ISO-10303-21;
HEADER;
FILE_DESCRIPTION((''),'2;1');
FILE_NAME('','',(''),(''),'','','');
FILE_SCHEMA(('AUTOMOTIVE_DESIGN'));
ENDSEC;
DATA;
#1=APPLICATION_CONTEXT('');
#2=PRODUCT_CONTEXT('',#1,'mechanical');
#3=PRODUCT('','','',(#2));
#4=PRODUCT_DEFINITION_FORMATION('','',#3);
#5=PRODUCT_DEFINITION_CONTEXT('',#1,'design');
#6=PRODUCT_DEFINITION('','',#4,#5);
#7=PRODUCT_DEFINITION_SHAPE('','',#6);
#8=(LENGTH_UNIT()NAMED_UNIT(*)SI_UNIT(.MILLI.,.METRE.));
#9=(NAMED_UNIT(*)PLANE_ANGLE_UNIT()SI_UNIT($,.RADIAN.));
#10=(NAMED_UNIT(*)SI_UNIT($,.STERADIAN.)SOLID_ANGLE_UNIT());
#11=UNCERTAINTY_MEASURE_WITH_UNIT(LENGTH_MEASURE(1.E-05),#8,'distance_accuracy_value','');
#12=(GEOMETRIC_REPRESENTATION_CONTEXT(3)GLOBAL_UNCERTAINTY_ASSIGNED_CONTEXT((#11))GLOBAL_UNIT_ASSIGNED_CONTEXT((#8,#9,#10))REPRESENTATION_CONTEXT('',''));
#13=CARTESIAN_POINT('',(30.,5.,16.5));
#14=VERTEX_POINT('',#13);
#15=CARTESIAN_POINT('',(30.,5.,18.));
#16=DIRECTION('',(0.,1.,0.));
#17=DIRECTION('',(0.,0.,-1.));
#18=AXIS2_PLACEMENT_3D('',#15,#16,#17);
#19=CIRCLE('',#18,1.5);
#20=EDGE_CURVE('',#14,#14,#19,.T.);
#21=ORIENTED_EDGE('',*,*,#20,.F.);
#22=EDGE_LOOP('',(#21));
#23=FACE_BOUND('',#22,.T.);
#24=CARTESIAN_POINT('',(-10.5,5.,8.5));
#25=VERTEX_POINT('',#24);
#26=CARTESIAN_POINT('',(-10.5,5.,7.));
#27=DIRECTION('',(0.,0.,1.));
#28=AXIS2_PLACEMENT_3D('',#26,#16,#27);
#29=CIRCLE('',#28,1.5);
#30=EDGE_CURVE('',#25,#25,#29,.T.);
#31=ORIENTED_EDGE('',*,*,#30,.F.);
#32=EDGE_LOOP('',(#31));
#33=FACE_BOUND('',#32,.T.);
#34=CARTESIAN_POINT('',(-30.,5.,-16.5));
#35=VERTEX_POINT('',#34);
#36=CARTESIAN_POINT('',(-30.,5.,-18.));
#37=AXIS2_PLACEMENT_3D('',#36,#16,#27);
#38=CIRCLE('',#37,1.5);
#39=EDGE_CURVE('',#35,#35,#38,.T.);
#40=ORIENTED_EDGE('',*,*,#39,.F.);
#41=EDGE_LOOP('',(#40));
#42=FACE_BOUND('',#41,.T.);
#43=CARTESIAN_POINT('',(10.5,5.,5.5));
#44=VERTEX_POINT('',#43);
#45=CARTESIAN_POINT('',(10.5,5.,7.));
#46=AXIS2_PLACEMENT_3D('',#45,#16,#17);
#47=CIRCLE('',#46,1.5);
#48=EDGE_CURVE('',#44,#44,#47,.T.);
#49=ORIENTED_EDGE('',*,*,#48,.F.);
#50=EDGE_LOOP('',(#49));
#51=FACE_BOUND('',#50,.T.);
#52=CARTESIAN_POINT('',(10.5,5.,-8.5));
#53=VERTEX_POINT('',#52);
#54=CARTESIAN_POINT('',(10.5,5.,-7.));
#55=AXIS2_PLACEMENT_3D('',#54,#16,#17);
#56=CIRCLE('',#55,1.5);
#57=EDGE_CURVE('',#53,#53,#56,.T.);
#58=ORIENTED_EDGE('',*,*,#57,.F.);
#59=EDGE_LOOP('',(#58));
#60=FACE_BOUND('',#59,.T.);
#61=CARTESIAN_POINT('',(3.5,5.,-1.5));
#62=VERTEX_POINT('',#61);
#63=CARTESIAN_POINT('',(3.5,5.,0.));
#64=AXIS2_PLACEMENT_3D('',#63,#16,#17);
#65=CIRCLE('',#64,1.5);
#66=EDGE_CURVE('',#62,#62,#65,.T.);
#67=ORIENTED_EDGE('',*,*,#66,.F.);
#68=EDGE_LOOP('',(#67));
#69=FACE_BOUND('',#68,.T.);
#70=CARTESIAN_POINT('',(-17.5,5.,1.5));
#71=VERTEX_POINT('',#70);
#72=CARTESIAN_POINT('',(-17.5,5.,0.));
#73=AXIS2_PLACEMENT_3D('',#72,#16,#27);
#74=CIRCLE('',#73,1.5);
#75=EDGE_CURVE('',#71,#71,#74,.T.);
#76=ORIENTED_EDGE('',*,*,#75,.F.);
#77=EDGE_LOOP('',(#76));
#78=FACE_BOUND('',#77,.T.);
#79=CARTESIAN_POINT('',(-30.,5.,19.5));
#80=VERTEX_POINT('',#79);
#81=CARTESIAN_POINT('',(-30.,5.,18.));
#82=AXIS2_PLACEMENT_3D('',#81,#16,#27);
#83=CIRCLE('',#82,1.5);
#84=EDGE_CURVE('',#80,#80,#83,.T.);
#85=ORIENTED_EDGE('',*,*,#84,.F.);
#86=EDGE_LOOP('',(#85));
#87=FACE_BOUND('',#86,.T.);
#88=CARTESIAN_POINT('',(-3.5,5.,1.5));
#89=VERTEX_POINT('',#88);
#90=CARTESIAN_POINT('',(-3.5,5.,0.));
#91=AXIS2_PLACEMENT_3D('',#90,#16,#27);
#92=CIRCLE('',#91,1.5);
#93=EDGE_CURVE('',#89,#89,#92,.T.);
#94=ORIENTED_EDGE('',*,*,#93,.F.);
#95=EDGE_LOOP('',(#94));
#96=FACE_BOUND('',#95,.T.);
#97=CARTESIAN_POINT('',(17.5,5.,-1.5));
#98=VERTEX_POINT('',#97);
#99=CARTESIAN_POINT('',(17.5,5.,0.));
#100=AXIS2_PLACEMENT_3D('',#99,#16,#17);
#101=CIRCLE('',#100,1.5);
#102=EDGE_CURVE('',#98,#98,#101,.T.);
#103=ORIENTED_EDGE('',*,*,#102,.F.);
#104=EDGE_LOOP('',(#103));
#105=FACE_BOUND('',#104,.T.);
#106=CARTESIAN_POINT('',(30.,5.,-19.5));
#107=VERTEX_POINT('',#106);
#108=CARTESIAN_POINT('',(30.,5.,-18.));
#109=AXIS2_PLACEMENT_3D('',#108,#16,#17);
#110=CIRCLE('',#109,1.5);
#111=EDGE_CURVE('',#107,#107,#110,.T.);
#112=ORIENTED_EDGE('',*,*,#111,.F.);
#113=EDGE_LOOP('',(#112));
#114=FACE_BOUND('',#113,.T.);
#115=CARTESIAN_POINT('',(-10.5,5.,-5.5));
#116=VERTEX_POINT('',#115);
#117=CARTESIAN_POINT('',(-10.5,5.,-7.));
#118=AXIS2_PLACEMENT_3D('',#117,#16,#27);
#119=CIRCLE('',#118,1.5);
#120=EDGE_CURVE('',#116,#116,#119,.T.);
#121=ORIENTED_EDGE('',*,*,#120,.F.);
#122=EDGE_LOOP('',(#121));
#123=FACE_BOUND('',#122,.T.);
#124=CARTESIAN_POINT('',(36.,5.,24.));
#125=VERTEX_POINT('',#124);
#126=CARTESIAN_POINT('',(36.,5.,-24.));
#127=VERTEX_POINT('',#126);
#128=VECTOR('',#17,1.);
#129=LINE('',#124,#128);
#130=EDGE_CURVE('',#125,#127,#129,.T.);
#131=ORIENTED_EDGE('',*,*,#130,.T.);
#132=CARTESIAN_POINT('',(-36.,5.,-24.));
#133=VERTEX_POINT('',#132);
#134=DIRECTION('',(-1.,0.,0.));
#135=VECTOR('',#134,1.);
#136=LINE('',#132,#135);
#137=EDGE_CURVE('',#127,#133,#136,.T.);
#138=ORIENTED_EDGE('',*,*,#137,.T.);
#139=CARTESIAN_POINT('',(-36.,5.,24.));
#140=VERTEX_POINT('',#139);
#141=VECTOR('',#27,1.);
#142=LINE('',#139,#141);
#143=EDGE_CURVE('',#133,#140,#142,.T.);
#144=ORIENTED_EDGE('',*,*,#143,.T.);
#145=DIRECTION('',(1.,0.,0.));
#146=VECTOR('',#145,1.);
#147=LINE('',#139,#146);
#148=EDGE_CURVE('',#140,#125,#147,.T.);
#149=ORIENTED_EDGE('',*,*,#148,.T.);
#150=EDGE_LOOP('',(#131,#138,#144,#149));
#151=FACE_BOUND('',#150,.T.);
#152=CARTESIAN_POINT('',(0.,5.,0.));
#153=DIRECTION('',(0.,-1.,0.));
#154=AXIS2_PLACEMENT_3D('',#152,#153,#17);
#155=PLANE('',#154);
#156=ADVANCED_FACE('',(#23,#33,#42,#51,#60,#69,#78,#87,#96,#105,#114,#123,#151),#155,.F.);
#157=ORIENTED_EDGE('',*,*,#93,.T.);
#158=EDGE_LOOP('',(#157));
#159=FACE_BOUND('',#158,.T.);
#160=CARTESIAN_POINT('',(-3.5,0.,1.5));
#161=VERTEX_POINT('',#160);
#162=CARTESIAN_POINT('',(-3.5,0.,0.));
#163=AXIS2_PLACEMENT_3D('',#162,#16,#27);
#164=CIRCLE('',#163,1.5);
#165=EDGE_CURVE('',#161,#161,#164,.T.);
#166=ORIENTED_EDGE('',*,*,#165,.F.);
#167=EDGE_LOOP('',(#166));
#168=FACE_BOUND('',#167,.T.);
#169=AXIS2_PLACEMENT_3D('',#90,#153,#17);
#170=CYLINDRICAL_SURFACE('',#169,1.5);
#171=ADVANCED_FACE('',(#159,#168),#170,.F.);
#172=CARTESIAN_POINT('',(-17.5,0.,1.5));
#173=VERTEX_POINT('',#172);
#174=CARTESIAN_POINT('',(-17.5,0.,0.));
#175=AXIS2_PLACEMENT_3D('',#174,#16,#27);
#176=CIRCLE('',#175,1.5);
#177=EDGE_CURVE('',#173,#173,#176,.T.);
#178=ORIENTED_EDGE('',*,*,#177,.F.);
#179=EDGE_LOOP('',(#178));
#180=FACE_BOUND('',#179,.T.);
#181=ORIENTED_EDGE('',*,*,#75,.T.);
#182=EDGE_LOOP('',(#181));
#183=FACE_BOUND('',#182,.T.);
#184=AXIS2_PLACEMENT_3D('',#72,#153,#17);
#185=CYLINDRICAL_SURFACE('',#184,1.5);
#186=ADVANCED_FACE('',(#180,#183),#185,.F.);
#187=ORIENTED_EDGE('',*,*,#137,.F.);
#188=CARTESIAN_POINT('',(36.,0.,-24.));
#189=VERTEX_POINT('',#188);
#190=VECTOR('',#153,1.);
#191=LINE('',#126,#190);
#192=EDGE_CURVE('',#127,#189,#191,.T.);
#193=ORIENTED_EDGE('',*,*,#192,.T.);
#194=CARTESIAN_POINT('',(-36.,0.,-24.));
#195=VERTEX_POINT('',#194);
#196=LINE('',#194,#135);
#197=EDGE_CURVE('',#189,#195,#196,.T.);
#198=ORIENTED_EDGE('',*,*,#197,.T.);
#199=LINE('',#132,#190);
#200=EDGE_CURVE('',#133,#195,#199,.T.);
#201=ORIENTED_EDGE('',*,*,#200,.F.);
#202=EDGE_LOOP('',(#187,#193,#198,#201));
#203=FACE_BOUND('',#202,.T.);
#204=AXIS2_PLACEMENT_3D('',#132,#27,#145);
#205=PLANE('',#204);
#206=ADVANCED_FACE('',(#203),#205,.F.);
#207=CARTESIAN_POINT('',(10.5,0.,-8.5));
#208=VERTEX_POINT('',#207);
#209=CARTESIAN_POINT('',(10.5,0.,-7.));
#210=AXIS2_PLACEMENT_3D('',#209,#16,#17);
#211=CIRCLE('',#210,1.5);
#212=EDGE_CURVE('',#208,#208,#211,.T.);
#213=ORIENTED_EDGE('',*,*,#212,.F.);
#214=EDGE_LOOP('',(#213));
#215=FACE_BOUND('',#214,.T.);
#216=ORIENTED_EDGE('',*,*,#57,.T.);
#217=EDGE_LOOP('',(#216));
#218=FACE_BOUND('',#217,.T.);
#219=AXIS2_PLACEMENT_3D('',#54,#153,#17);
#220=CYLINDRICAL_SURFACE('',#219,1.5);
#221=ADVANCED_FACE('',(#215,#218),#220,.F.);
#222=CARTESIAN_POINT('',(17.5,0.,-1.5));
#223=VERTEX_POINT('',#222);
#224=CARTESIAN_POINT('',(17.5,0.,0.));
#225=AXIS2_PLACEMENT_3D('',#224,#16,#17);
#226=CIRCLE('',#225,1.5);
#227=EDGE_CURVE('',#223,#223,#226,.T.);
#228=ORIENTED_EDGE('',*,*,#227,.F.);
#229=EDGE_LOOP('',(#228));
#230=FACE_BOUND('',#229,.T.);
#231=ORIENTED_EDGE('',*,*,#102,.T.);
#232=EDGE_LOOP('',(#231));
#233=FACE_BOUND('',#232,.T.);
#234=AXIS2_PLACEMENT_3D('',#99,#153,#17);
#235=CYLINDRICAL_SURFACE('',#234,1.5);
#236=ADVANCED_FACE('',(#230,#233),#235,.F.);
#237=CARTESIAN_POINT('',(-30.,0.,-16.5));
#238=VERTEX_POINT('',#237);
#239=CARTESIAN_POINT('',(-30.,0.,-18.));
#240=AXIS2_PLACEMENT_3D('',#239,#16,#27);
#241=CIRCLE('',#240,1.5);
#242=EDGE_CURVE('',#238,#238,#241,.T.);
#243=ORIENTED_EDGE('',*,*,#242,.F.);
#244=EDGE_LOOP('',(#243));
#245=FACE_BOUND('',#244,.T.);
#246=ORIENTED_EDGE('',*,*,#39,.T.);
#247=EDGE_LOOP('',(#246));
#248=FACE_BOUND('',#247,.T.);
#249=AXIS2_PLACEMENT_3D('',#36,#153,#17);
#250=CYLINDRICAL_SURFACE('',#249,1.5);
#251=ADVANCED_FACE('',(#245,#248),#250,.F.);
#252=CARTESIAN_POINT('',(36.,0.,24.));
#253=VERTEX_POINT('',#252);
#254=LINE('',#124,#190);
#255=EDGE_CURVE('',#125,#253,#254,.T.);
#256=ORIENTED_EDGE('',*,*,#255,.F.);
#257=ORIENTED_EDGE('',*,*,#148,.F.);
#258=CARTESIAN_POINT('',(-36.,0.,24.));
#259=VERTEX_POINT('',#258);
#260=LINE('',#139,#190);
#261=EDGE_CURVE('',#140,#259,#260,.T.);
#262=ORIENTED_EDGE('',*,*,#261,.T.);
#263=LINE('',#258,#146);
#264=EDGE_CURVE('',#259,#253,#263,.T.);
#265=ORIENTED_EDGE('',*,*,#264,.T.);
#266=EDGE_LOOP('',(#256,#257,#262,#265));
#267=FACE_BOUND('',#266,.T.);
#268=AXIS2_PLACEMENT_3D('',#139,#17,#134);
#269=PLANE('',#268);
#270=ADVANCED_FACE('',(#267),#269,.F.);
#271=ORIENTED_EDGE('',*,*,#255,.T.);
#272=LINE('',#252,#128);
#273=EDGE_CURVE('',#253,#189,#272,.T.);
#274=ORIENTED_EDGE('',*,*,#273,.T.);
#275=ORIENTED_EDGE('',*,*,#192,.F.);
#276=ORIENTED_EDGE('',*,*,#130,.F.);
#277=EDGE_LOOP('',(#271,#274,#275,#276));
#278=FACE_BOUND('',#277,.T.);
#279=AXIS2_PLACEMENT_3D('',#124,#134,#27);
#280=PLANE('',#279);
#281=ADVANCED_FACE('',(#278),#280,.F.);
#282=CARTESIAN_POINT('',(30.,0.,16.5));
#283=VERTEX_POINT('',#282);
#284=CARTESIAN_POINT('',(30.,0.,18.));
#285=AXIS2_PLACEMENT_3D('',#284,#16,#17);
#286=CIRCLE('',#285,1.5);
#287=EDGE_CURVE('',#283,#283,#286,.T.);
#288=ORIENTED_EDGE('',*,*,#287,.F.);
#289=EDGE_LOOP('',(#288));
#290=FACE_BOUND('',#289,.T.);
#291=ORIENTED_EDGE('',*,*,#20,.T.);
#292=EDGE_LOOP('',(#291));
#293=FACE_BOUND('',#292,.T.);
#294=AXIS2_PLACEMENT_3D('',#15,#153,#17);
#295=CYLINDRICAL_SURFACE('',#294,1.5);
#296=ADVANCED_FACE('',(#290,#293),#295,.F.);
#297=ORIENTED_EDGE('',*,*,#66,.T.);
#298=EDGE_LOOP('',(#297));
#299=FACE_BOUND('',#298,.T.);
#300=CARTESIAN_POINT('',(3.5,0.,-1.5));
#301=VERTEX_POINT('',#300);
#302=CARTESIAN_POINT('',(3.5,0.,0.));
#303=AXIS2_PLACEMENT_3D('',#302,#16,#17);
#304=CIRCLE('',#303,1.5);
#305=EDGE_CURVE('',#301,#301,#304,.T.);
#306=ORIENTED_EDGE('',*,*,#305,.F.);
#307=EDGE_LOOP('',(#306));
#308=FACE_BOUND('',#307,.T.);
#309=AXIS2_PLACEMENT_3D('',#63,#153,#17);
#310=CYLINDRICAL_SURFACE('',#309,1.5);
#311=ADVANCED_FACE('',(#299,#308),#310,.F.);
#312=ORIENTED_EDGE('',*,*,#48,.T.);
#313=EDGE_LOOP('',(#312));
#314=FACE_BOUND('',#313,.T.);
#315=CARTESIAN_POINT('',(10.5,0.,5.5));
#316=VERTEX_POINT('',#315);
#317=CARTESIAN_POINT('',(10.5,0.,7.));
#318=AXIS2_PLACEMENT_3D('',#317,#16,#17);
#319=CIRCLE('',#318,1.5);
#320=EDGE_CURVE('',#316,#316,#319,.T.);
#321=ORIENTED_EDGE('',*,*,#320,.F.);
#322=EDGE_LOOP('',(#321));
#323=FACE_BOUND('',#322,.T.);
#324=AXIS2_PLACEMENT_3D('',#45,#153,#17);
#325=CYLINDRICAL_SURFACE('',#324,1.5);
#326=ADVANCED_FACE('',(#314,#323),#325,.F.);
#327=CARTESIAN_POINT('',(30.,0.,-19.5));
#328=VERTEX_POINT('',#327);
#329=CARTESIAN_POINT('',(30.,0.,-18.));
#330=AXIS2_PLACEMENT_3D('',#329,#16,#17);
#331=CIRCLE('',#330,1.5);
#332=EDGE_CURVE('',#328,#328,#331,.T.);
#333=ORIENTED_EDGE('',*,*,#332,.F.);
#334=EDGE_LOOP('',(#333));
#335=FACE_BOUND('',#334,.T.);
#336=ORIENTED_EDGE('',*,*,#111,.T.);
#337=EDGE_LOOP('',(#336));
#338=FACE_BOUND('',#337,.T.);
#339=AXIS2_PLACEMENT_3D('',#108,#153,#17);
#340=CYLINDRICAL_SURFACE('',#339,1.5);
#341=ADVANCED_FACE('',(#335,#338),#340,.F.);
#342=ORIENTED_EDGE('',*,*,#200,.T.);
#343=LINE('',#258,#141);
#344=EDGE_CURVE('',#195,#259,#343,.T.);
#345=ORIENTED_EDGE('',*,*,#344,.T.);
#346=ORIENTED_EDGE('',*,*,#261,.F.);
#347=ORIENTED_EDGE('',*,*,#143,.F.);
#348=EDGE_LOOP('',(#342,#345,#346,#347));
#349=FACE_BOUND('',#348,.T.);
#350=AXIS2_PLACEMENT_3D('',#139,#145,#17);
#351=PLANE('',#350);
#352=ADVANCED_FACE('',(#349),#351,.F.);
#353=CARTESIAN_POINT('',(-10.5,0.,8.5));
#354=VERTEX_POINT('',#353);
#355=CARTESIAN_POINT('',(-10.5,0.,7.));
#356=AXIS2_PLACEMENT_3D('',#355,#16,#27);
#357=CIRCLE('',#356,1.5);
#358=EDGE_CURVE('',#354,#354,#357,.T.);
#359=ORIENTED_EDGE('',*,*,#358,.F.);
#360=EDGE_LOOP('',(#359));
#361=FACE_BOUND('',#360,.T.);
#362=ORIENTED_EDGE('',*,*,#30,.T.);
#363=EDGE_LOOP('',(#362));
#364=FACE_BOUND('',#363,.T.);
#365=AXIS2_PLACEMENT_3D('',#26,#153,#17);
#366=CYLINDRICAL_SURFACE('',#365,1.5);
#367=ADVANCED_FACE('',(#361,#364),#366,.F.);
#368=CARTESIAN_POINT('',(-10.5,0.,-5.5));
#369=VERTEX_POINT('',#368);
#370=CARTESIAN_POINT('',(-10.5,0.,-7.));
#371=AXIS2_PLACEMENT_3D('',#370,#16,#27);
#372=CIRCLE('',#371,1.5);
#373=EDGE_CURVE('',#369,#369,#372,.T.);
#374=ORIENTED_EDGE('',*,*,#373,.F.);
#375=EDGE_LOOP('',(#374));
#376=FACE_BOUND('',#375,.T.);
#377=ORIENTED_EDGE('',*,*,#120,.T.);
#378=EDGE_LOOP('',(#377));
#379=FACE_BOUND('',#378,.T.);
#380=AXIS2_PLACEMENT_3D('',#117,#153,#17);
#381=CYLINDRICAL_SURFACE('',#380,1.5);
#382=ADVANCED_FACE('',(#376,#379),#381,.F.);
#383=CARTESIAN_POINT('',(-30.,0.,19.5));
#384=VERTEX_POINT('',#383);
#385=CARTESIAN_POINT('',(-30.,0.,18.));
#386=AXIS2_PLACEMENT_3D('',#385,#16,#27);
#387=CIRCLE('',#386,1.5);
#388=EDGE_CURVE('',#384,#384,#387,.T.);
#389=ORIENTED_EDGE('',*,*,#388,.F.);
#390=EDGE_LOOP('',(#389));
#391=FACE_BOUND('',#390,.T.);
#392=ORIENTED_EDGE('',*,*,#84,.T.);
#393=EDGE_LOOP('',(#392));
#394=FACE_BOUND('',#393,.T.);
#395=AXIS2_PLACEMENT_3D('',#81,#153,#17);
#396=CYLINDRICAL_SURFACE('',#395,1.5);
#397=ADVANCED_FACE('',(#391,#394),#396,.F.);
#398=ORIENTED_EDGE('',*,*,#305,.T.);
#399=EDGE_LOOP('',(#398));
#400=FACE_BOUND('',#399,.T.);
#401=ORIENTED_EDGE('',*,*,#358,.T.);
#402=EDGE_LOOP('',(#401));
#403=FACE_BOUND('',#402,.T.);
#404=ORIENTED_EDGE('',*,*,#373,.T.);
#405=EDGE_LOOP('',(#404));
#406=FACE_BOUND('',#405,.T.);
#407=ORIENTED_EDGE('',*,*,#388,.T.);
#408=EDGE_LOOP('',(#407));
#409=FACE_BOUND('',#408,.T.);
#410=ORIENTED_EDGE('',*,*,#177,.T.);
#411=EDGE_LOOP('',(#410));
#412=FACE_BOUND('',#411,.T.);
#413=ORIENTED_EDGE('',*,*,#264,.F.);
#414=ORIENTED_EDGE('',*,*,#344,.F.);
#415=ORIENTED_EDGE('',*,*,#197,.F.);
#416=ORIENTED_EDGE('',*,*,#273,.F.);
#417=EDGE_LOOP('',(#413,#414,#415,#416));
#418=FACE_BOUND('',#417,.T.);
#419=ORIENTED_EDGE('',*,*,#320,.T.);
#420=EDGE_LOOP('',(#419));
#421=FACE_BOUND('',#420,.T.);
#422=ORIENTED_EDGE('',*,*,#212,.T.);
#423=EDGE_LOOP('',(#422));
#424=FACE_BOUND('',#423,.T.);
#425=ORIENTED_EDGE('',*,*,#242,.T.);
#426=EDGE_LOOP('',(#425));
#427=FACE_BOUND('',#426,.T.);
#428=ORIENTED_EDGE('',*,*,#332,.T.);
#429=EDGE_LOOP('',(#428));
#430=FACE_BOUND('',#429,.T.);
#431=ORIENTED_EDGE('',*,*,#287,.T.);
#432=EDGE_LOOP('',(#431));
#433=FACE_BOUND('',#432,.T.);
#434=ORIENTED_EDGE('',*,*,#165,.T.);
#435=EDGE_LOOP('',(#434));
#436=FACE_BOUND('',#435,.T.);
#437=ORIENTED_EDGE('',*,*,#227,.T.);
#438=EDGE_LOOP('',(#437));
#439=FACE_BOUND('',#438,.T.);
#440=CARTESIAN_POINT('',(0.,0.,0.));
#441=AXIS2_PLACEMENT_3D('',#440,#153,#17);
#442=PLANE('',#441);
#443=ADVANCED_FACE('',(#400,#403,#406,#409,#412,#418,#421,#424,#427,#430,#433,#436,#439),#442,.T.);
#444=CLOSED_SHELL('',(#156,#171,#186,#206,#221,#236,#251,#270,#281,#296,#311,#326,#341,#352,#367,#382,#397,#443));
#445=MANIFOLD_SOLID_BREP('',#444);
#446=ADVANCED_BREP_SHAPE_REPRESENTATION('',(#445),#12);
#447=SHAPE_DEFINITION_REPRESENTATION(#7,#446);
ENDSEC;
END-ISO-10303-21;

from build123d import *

# Parameters (mm, degrees)
SKETCH1_W           = 72
SKETCH1_H           = 48
SKETCH1_R           = 1.5
BOSS_EXTRUDE1_DEPTH = 5


with BuildPart() as part:
    # Sketch1 → Boss-Extrude1 (new body)
    with BuildSketch(Plane(origin=(0, 0, 0), x_dir=(1, 0, 0), z_dir=(0, 1, 0))):
        Rectangle(SKETCH1_W, SKETCH1_H)
        with Locations(Location((-17.5, 0, 0), (0, 0, 270))):
            Circle(SKETCH1_R, mode=Mode.SUBTRACT)
        with Locations(Location((-10.5, 7, 0), (0, 0, 270))):
            Circle(SKETCH1_R, mode=Mode.SUBTRACT)
        with Locations(Location((-3.5, 0, 0), (0, 0, 270))):
            Circle(SKETCH1_R, mode=Mode.SUBTRACT)
        with Locations(Location((-10.5, -7, 0), (0, 0, 270))):
            Circle(SKETCH1_R, mode=Mode.SUBTRACT)
        with Locations(Location((-30, 18, 0), (0, 0, 270))):
            Circle(SKETCH1_R, mode=Mode.SUBTRACT)
        with Locations(Location((-30, -18, 0), (0, 0, 270))):
            Circle(SKETCH1_R, mode=Mode.SUBTRACT)
        with Locations(Location((10.5, 7, 0), (0, 0, 90))):
            Circle(SKETCH1_R, mode=Mode.SUBTRACT)
        with Locations(Location((3.5, 0, 0), (0, 0, 90))):
            Circle(SKETCH1_R, mode=Mode.SUBTRACT)
        with Locations(Location((10.5, -7, 0), (0, 0, 90))):
            Circle(SKETCH1_R, mode=Mode.SUBTRACT)
        with Locations(Location((17.5, 0, 0), (0, 0, 90))):
            Circle(SKETCH1_R, mode=Mode.SUBTRACT)
        with Locations(Location((30, 18, 0), (0, 0, 90))):
            Circle(SKETCH1_R, mode=Mode.SUBTRACT)
        with Locations(Location((30, -18, 0), (0, 0, 90))):
            Circle(SKETCH1_R, mode=Mode.SUBTRACT)
    extrude(amount=BOSS_EXTRUDE1_DEPTH)


solid = part.part
